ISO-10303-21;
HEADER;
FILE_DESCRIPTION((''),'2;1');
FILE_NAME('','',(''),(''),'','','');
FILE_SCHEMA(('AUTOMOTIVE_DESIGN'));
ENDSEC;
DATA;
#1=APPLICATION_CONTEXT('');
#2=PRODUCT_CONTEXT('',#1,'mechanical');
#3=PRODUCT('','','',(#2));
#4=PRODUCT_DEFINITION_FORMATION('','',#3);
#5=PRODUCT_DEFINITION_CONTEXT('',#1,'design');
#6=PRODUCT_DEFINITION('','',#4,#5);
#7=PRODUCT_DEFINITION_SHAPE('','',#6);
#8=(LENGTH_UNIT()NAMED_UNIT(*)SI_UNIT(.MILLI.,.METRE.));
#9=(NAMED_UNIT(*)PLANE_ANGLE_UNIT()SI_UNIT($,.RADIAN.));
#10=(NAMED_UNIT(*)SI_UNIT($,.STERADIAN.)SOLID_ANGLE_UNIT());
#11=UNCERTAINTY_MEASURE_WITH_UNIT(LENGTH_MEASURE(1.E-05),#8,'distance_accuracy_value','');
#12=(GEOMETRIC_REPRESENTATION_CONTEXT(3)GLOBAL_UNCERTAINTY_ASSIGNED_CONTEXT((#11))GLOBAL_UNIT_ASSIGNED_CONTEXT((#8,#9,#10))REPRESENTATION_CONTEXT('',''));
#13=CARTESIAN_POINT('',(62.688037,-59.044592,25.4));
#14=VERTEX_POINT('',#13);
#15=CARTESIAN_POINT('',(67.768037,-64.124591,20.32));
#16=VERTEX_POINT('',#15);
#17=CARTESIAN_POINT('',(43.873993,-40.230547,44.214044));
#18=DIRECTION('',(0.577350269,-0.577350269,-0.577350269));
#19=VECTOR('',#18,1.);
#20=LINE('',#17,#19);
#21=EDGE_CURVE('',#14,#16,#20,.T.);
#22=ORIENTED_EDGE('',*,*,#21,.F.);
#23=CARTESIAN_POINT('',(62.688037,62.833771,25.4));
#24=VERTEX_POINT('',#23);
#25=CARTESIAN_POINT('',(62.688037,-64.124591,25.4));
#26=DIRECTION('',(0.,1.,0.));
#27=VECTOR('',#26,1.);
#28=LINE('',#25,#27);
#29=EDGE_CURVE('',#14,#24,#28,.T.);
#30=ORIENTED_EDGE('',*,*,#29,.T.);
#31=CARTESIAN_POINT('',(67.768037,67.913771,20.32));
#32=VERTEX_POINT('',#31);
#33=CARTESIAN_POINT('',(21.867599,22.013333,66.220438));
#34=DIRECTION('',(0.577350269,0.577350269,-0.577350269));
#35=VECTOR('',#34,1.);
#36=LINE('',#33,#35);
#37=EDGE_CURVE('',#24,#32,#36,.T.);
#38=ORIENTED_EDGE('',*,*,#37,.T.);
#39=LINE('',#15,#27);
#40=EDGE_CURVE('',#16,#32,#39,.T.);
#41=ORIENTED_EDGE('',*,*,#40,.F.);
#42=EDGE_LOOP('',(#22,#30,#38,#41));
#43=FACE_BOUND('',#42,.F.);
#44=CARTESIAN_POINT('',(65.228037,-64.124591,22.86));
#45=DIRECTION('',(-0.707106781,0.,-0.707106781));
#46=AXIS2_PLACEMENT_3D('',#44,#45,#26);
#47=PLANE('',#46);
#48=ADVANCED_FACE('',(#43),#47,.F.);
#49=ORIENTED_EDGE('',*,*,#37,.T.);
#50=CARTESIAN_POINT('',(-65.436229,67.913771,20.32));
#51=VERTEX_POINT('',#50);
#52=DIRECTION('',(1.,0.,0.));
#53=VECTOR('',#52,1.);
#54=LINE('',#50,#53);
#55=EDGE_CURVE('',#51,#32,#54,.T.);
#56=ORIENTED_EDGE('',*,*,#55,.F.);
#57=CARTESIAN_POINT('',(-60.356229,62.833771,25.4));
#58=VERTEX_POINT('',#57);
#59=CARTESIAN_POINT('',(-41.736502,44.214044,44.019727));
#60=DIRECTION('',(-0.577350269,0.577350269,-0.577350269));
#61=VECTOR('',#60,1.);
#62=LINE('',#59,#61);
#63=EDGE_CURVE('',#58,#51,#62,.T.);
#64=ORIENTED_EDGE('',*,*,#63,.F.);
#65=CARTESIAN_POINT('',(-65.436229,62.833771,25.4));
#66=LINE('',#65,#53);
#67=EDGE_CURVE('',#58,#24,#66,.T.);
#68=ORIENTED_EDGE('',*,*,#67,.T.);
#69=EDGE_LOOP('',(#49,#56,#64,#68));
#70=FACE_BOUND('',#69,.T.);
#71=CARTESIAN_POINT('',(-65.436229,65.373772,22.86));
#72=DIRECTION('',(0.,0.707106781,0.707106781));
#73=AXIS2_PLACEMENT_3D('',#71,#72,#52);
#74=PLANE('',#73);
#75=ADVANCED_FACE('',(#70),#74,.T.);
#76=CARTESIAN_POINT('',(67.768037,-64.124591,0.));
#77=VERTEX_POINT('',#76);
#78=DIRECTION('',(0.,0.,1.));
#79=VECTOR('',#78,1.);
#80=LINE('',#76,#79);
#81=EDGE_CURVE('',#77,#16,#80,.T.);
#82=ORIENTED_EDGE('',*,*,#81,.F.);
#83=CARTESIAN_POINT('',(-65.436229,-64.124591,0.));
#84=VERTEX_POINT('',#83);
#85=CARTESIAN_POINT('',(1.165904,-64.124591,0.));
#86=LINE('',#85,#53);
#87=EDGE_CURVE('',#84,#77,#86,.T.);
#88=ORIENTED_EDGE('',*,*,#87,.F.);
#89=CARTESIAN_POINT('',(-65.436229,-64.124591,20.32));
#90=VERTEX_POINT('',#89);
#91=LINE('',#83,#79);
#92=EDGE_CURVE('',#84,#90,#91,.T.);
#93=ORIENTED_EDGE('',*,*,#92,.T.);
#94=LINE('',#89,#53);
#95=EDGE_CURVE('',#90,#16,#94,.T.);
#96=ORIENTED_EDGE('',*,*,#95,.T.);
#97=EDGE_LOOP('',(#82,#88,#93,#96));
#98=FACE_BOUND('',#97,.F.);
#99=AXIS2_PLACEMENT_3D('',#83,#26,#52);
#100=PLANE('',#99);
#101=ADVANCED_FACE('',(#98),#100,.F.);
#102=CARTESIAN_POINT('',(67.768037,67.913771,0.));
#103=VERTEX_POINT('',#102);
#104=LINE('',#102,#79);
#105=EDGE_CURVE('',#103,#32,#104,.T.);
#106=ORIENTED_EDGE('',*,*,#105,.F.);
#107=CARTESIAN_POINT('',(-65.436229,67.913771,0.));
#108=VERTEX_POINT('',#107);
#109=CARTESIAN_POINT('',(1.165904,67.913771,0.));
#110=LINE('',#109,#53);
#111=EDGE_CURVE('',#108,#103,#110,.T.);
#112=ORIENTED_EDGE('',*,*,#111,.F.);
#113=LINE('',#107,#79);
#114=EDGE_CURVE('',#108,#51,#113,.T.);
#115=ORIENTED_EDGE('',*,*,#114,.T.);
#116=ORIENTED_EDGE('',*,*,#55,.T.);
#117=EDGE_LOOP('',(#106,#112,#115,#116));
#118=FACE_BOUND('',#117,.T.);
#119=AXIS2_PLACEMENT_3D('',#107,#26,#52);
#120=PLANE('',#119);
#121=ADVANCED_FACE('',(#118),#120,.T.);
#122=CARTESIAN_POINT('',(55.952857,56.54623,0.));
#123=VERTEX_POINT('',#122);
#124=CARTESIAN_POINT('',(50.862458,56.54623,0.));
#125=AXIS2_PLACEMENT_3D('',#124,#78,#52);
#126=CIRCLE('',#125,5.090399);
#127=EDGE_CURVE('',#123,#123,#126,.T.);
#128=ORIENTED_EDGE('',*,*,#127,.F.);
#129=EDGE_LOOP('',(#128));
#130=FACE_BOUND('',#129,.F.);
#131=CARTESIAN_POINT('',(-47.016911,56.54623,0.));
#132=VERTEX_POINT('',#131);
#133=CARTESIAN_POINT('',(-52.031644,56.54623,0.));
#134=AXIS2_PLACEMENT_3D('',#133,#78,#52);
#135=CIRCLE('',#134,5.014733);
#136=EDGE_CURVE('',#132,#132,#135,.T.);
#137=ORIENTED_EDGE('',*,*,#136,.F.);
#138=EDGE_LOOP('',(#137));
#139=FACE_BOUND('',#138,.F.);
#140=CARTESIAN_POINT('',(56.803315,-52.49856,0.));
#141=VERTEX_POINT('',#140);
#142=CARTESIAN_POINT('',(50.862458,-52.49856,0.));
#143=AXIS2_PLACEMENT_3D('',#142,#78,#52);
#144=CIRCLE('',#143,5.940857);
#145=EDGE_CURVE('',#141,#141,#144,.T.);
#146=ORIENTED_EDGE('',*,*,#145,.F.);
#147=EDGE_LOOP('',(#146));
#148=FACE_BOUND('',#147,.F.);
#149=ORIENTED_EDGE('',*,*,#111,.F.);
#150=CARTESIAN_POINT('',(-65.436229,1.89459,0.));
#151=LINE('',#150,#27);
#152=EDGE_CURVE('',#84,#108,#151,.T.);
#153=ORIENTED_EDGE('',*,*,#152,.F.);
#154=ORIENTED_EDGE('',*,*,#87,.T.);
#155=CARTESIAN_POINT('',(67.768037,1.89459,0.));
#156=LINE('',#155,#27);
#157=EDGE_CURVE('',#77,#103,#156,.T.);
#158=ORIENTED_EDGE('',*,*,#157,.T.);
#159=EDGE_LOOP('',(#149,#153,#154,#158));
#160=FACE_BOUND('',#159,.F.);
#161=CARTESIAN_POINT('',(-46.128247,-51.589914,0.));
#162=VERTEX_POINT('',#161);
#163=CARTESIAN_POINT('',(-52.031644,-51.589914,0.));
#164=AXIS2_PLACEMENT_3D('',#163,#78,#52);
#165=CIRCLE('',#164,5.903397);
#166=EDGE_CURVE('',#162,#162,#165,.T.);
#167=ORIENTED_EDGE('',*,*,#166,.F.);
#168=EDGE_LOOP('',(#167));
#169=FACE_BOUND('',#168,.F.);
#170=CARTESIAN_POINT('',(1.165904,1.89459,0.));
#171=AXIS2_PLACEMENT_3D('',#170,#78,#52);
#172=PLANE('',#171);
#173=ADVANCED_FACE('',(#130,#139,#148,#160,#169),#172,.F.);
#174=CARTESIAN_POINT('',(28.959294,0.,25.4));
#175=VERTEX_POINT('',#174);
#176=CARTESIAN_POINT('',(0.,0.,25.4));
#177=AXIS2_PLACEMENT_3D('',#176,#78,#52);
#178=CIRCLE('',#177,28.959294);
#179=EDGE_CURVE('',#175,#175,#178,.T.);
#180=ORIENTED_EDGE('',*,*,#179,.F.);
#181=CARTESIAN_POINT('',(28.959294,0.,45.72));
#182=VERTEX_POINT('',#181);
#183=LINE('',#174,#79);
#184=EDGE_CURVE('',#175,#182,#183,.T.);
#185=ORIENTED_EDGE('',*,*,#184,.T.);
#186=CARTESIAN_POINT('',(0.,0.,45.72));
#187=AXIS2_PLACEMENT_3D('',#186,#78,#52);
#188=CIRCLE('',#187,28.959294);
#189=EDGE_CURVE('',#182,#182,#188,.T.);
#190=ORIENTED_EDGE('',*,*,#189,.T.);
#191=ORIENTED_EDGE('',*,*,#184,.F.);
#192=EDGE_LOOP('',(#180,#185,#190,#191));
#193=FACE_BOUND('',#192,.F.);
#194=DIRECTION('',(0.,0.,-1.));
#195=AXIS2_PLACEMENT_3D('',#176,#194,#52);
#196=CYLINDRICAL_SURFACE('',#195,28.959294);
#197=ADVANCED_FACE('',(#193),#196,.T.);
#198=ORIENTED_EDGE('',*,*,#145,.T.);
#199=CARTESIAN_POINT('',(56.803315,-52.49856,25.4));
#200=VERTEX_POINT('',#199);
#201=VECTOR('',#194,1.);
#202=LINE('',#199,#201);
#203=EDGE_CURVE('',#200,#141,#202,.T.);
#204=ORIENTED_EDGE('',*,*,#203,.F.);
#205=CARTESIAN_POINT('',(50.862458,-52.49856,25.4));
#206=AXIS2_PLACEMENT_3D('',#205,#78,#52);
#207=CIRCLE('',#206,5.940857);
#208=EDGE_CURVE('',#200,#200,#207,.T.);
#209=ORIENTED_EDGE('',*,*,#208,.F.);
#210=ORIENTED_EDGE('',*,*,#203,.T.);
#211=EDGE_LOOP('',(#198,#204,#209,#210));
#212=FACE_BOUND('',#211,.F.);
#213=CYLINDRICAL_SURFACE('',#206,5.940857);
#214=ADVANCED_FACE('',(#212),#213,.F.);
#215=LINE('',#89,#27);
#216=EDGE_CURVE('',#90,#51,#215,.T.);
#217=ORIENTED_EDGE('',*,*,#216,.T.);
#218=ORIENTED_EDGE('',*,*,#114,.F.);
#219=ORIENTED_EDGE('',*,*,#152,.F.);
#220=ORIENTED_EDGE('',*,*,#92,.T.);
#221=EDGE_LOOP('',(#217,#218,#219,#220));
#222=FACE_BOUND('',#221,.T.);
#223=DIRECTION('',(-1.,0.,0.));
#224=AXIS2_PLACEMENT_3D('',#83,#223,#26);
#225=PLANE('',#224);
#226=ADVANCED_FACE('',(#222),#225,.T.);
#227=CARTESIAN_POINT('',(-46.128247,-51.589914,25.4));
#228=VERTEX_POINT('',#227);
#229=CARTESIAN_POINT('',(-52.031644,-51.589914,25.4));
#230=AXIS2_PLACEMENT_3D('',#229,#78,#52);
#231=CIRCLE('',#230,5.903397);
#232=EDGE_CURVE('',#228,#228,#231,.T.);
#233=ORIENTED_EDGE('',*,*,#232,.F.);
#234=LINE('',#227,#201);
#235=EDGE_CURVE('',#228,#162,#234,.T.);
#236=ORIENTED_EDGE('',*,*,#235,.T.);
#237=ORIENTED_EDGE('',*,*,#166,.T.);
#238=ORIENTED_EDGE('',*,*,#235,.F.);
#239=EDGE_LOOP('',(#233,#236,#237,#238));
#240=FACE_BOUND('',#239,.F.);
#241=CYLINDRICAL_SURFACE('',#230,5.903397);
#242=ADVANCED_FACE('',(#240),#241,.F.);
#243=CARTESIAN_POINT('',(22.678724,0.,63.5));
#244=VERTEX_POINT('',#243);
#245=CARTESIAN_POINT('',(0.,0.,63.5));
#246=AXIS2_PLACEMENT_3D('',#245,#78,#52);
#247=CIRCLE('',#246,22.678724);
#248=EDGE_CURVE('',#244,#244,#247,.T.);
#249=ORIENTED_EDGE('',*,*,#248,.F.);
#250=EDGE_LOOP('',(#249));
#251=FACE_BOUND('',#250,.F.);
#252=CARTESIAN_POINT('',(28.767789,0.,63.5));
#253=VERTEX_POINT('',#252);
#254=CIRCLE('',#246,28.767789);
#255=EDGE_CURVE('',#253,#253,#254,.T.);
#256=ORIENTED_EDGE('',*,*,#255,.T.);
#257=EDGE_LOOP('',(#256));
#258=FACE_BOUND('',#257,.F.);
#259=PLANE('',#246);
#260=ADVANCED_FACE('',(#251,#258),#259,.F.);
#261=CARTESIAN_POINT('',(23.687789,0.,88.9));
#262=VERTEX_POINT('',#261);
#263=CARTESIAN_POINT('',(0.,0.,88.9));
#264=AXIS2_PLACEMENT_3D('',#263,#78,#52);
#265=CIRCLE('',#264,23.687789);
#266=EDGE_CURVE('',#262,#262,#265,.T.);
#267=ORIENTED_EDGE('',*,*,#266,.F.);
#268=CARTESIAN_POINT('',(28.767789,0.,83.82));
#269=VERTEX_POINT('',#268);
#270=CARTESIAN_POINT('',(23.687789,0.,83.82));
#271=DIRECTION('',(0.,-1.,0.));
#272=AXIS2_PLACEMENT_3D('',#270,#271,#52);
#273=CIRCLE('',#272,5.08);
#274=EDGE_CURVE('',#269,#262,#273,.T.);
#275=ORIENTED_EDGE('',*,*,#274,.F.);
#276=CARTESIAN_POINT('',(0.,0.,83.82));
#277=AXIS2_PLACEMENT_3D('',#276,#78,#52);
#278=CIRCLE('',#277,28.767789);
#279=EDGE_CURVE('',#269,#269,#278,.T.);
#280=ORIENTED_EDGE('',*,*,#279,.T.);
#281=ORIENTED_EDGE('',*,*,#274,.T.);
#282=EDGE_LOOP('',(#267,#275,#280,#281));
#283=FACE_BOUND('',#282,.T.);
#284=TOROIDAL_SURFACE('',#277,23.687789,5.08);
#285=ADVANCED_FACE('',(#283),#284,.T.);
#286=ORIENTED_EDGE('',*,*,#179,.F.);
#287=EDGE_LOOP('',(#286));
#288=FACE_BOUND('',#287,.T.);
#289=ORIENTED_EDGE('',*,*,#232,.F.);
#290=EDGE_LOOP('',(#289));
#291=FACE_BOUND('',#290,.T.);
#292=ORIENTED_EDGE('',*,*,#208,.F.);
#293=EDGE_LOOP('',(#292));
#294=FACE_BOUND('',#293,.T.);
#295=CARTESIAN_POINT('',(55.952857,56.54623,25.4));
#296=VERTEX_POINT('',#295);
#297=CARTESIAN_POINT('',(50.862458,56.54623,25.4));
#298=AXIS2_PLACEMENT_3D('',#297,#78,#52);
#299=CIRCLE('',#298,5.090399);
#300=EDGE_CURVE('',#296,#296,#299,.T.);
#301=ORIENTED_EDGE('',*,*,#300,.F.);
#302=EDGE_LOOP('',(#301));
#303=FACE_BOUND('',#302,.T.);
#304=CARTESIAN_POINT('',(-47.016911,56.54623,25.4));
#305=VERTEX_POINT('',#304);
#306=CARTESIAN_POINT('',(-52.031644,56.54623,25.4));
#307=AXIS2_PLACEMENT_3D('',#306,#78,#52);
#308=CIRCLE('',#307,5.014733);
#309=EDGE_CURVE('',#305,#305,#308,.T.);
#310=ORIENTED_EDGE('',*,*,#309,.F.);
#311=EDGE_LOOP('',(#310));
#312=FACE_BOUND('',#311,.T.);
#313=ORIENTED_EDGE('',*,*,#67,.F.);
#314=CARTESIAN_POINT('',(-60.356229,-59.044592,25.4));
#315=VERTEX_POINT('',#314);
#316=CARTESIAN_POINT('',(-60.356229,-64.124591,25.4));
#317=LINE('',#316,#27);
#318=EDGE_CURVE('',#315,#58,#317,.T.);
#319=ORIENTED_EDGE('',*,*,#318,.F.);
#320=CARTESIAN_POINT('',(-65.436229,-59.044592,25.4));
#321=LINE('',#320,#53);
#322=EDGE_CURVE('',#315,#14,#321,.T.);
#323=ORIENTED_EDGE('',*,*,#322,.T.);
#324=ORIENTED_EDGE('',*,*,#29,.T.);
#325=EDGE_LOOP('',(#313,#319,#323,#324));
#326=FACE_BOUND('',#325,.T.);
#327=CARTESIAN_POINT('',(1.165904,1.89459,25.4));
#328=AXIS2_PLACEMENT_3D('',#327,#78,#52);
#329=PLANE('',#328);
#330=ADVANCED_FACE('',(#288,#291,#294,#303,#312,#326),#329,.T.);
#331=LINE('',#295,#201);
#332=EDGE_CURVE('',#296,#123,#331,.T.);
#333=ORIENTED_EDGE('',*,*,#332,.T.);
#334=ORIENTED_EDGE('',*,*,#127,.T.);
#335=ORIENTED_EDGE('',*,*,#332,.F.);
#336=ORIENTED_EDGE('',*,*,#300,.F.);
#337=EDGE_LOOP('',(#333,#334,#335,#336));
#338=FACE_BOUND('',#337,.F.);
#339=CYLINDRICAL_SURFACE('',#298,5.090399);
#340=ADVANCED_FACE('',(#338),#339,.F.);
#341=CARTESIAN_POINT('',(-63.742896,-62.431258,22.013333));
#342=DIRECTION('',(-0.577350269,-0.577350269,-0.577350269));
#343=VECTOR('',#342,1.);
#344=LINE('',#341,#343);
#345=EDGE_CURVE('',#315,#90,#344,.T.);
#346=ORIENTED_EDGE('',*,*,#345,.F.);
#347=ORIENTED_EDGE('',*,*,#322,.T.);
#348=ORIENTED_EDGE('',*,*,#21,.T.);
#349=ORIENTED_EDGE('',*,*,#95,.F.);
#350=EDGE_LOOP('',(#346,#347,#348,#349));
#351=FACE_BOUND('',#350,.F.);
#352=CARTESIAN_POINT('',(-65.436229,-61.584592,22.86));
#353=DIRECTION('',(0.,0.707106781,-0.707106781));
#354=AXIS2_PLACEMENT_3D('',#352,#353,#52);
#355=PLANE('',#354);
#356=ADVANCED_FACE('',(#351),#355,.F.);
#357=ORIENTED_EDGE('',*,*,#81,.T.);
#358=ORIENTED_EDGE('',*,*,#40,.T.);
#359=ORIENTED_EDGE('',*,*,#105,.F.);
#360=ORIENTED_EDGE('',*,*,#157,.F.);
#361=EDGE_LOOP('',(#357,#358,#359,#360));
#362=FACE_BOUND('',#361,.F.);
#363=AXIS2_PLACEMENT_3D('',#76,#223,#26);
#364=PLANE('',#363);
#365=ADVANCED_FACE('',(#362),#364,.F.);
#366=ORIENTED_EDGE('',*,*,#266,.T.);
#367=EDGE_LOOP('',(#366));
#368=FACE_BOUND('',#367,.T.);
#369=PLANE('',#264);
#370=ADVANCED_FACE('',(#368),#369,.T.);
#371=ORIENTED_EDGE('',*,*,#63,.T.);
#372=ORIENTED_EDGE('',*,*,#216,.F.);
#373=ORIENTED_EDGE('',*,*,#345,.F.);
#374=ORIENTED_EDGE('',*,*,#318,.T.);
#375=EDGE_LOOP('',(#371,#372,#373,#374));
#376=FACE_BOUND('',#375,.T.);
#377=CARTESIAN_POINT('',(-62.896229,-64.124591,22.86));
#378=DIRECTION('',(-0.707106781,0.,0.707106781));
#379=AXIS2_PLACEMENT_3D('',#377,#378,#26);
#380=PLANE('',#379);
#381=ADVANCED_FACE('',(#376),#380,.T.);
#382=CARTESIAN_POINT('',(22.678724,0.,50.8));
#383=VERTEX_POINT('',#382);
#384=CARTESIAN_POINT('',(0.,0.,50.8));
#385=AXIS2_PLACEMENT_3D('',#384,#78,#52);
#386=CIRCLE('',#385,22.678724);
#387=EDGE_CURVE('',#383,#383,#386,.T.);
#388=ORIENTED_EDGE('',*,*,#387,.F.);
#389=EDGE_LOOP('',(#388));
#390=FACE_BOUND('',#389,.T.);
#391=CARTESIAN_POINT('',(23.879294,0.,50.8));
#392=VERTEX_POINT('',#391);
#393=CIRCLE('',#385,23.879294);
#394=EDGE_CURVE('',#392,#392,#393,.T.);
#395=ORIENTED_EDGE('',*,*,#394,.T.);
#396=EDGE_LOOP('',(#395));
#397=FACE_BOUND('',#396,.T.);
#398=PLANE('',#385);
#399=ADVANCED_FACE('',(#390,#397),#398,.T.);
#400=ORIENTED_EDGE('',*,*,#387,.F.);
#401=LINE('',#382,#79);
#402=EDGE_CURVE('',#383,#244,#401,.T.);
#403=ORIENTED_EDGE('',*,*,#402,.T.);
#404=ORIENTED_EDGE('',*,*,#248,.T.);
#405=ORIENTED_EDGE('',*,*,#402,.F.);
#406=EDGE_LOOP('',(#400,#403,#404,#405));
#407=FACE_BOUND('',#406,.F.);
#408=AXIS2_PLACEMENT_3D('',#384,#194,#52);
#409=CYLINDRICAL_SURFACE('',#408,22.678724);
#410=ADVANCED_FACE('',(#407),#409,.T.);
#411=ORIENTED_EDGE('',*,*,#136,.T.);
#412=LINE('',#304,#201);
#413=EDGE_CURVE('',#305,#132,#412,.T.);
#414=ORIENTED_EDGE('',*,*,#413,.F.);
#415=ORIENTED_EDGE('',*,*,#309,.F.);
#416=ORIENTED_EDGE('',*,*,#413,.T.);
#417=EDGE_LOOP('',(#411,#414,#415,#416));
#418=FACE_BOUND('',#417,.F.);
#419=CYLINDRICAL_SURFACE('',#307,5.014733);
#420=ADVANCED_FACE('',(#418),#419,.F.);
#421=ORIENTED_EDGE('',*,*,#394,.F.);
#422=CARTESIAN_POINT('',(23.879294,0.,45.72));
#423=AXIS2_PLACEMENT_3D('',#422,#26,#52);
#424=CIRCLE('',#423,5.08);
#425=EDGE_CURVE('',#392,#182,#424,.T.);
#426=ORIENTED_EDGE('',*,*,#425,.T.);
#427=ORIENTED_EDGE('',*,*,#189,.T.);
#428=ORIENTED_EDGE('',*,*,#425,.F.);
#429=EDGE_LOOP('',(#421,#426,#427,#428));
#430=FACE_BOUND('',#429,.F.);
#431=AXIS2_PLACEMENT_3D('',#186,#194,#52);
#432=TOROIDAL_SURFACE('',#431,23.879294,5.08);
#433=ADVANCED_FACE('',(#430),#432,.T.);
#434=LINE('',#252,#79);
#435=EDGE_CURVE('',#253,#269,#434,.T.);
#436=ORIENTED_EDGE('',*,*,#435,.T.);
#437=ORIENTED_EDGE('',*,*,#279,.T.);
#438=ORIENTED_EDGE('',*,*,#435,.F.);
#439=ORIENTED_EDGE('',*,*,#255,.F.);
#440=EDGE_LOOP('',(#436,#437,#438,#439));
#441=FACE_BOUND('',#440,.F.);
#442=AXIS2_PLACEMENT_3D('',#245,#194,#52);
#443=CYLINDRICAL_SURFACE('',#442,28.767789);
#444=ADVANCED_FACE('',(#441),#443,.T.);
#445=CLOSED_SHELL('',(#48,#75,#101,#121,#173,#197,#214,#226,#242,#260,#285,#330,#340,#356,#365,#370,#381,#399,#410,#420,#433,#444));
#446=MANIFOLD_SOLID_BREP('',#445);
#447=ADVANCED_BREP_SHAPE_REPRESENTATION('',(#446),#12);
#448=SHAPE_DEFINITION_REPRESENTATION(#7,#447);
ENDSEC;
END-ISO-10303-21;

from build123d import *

# Parameters (mm, degrees)
F0_W      = 133.204266
F0_H      = 132.038363
F1_DEPTH  = 25.4
F2_R      = 5.014733
F2_R_2    = 5.090399
F2_R_3    = 5.903397
F2_R_4    = 5.940857
F4_DEPTH  = 25.4
F5_DEPTH  = 25.4
F3_R      = 28.959294
F6_DEPTH  = 25.4
F7_R      = 22.678724
F8_DEPTH  = 12.7
F9_R      = 28.767789
F10_DEPTH = 25.4
F11_R     = 5.08
F12_SIZE  = 5.08


with BuildPart() as f1:
    # F0 (on Top) → F1 (new body)
    with BuildSketch(Plane.XY):
        with Locations((1.165904, 1.89459)):
            Rectangle(F0_W, F0_H)
    extrude(amount=F1_DEPTH)

    # F2 (on face) → F4 (cut)
    with BuildSketch(Plane.XY.offset(25.4)):
        with Locations((-52.031644, 56.54623)):
            Circle(F2_R)
        with Locations((50.862458, 56.54623)):
            Circle(F2_R_2)
        with Locations((-52.031644, -51.589914)):
            Circle(F2_R_3)
        with Locations((50.862458, -52.49856)):
            Circle(F2_R_4)
    extrude(amount=-F4_DEPTH, mode=Mode.SUBTRACT)

    # F2 (on face) → F5 (cut)
    with BuildSketch(Plane.XY.offset(25.4)):
        with Locations((-52.031644, 56.54623)):
            Circle(F2_R)
        with Locations((50.862458, 56.54623)):
            Circle(F2_R_2)
        with Locations((-52.031644, -51.589914)):
            Circle(F2_R_3)
        with Locations((50.862458, -52.49856)):
            Circle(F2_R_4)
    extrude(amount=-F5_DEPTH, mode=Mode.SUBTRACT)

    # F3 (on face) → F6 (join)
    with BuildSketch(Plane.XY.offset(25.4)):
        Circle(F3_R)
    extrude(amount=F6_DEPTH)

    # F7 (on face) → F8 (join)
    with BuildSketch(Plane.XY.offset(50.8)):
        Circle(F7_R)
    extrude(amount=F8_DEPTH)

    # F9 (on face) → F10 (join)
    with BuildSketch(Plane.XY.offset(63.5)):
        Circle(F9_R)
    extrude(amount=F10_DEPTH)

    # F11
    f11_edges = [f1.edges().sort_by_distance(p)[0] for p in [
        (-28.959294, 0, 50.8),
        (-28.767789, 0, 88.9),
    ]]
    fillet(f11_edges, radius=F11_R)

    # F12
    f12_edges = [f1.edges().sort_by_distance(p)[0] for p in [
        (1.165904, -64.124592, 25.4),
        (-65.436229, 1.89459, 25.4),
        (1.165904, 67.913771, 25.4),
        (67.768037, 1.89459, 25.4),
    ]]
    chamfer(f12_edges, length=F12_SIZE)


solid = f1.part
